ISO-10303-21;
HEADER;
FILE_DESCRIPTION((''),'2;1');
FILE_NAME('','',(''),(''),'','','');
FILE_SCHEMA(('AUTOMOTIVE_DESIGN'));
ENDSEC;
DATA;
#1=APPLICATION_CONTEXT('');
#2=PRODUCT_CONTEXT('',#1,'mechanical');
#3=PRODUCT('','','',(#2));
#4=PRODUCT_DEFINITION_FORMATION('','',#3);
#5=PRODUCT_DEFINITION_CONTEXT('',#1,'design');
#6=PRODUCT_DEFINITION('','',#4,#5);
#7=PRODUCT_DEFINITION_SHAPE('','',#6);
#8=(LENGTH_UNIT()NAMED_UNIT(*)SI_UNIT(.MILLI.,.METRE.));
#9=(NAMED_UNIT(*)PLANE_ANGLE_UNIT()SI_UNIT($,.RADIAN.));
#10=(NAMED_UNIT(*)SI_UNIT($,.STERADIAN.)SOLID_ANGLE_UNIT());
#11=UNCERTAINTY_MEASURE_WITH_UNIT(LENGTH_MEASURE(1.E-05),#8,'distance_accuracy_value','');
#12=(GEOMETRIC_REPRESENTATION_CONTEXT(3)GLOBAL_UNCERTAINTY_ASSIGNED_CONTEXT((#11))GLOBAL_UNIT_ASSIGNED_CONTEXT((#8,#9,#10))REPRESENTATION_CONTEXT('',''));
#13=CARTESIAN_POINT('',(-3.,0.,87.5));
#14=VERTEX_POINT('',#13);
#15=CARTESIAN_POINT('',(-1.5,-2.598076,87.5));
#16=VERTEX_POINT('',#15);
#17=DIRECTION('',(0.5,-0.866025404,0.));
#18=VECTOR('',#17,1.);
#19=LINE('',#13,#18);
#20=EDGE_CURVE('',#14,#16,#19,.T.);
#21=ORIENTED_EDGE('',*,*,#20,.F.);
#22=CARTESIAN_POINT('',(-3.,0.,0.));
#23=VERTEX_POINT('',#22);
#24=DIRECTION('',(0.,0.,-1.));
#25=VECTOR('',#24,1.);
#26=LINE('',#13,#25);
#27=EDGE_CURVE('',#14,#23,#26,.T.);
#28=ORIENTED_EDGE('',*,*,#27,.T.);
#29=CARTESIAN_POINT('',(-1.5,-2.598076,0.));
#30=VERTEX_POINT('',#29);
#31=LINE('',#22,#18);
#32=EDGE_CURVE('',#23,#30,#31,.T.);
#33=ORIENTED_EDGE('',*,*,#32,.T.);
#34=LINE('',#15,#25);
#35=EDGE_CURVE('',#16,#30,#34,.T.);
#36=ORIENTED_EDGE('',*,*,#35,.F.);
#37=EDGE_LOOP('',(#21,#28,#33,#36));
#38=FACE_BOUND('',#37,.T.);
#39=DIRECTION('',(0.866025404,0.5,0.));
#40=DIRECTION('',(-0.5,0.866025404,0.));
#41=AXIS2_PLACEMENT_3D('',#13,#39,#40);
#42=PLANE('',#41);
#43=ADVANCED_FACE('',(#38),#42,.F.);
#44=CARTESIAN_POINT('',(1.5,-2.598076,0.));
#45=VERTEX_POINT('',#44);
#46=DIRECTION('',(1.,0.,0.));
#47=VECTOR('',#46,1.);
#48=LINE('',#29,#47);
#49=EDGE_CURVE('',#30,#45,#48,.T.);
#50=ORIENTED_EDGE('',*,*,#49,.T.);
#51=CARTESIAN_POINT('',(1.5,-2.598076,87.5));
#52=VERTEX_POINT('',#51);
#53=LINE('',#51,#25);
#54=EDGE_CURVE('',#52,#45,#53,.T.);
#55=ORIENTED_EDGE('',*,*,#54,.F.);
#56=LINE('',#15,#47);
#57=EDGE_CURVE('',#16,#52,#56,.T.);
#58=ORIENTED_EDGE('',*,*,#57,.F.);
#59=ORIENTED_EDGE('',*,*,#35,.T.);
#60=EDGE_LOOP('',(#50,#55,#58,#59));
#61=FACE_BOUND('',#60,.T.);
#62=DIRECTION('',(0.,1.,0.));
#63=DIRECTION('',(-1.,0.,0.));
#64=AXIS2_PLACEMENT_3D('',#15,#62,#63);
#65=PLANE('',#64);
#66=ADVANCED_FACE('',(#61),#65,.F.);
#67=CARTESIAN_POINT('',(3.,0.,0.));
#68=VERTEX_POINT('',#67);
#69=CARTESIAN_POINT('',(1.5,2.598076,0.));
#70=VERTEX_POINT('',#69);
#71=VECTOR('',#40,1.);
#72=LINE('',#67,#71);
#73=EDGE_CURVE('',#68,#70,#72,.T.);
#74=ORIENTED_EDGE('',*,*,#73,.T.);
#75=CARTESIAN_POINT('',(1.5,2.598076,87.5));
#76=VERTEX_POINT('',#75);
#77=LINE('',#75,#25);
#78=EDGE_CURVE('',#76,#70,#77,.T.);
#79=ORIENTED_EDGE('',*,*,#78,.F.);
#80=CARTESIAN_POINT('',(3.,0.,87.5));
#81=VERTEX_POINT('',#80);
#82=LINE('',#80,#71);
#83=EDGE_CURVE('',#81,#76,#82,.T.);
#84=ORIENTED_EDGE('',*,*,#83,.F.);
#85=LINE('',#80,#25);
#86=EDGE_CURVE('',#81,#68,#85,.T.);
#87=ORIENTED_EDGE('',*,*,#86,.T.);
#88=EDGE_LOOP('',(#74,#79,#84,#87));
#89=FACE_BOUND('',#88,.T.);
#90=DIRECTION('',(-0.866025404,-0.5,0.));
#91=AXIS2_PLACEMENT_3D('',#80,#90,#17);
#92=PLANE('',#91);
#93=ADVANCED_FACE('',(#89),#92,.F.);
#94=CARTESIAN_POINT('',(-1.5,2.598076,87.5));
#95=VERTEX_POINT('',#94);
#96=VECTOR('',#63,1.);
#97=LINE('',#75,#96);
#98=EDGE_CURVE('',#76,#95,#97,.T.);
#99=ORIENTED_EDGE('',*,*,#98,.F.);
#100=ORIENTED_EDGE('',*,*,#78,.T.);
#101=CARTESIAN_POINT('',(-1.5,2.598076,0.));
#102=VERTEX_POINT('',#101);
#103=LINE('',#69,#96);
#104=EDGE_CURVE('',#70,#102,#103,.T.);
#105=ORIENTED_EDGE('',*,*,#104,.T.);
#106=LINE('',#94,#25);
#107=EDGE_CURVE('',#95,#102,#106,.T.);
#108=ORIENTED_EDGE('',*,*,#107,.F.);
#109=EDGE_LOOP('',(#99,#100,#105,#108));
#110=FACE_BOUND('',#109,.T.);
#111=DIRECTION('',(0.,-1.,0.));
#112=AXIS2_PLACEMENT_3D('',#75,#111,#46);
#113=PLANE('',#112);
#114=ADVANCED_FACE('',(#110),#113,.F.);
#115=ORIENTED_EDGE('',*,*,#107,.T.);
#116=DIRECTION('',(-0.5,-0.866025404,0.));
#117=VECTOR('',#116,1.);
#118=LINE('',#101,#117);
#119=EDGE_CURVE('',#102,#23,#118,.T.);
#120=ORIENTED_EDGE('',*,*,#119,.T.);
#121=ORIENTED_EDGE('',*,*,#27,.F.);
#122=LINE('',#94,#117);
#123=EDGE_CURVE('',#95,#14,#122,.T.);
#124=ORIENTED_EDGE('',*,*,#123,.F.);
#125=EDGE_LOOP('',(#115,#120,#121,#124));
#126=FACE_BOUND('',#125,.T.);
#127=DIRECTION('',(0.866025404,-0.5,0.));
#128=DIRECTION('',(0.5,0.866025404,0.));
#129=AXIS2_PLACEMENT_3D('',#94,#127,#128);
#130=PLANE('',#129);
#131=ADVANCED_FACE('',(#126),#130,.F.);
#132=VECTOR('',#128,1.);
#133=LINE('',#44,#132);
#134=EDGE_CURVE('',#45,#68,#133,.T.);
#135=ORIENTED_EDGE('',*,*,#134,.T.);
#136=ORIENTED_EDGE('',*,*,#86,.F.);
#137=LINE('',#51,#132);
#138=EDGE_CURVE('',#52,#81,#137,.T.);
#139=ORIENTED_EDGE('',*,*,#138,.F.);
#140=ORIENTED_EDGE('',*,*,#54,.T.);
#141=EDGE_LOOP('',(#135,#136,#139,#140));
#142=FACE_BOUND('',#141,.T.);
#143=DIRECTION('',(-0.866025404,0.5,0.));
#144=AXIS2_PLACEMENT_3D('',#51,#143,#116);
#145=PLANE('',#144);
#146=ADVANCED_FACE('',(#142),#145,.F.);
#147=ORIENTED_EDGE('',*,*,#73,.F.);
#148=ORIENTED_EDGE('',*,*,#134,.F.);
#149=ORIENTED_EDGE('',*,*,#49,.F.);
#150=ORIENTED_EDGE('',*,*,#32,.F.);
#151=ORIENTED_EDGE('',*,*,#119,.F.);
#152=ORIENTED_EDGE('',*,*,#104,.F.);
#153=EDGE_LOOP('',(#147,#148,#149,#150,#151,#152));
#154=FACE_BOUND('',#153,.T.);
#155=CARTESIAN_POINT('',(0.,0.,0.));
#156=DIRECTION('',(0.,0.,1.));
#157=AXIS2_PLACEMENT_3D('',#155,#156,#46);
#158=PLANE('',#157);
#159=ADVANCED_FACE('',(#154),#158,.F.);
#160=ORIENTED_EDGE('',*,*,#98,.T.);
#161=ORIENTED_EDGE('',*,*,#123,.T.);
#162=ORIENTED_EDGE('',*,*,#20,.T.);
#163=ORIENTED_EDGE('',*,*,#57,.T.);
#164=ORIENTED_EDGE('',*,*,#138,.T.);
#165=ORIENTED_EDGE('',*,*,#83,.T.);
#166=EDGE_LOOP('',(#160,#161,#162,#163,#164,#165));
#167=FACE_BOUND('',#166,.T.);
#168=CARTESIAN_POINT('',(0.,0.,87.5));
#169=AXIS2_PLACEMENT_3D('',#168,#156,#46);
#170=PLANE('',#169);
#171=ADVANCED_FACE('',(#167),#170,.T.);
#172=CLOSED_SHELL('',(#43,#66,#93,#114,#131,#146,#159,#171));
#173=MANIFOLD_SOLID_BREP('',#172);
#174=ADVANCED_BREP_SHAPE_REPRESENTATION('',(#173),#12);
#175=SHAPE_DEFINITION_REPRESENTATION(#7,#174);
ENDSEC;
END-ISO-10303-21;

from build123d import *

# Parameters (mm, degrees)
BOSS_EXTRUDE1_DEPTH = 87.5


with BuildPart() as part:
    # Sketch1 → Boss-Extrude1 (new body)
    with BuildSketch(Plane.XY):
        Polygon((3, 0), (1.5, 2.598076211), (-1.5, 2.598076211), (-3, 0), (-1.5, -2.598076211), (1.5, -2.598076211), align=None)
    extrude(amount=BOSS_EXTRUDE1_DEPTH)


solid = part.part
